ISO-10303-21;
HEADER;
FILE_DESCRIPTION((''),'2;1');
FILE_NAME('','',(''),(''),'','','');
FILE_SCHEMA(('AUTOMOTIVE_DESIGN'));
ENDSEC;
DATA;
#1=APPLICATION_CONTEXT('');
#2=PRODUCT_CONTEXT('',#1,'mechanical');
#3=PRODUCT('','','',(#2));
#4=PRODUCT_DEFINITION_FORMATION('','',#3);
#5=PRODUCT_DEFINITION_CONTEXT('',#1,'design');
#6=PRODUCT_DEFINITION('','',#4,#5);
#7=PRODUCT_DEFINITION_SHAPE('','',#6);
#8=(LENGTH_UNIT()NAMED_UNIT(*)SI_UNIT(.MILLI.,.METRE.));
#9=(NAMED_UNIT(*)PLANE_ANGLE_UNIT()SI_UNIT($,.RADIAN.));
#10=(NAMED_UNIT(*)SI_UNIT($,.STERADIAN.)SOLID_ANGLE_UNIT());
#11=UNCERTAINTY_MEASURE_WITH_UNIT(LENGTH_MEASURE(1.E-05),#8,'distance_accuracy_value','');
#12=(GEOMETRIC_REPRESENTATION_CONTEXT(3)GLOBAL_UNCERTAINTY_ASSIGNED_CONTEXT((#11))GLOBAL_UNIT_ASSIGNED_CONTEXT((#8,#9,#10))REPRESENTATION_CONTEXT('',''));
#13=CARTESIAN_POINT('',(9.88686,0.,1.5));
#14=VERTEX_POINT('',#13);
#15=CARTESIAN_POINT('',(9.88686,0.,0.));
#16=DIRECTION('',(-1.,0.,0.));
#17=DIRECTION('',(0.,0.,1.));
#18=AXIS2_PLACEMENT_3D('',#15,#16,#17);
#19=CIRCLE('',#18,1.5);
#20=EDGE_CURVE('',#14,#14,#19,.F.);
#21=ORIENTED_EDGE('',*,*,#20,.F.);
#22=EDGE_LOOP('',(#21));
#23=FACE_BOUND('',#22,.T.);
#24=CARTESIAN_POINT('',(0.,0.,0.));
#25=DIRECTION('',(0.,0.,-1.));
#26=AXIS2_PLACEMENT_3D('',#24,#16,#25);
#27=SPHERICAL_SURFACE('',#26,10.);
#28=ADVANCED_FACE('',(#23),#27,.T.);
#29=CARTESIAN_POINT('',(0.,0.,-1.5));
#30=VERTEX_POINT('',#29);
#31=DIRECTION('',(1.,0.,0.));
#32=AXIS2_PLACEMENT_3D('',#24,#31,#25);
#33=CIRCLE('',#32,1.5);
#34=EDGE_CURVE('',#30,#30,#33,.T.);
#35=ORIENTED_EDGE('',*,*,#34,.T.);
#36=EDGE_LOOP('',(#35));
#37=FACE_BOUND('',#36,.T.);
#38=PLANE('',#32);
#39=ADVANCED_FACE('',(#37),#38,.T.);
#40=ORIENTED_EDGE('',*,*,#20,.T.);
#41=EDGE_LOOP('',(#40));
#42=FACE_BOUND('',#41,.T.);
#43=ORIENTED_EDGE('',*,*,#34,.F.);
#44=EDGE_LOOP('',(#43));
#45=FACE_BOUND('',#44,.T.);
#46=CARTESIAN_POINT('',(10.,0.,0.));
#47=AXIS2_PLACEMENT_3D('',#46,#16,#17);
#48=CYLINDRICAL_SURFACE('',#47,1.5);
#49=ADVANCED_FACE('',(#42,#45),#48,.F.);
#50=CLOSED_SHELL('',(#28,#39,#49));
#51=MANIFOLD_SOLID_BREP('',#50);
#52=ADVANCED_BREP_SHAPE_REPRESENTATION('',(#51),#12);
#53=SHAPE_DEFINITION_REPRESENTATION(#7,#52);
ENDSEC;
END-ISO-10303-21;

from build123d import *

# Parameters (mm, degrees)
SKETCH3_R          = 1.5
CUT_EXTRUDE1_DEPTH = 10


with BuildPart() as part:
    # Sketch2 → Revolve1 (revolve)
    with BuildSketch(Plane(origin=(0, 0, 0), x_dir=(1, 0, 0), z_dir=(0, 1, 0))):
        with BuildLine():
            Line((0, 0), (10, 0))
            ThreePointArc((10, 0), (7.071067812, 7.071067812), (0, 10))
            Line((0, 10), (0, 0))
        make_face()
    revolve1 = revolve(axis=Axis((0, 0, 0), (1, 0, 0)))

    # Mirror1: Revolve1 across plane
    add(revolve1.mirror(Plane(origin=(0, 0, 0), x_dir=(0, 0, 1), z_dir=(1, 0, 0))))

    # Sketch3 → Cut-Extrude1 (cut)
    with BuildSketch(Plane(origin=(0, 0, 0), x_dir=(0, 0, -1), z_dir=(1, 0, 0))):
        Circle(SKETCH3_R)
    extrude(amount=CUT_EXTRUDE1_DEPTH, mode=Mode.SUBTRACT)


solid = part.part
